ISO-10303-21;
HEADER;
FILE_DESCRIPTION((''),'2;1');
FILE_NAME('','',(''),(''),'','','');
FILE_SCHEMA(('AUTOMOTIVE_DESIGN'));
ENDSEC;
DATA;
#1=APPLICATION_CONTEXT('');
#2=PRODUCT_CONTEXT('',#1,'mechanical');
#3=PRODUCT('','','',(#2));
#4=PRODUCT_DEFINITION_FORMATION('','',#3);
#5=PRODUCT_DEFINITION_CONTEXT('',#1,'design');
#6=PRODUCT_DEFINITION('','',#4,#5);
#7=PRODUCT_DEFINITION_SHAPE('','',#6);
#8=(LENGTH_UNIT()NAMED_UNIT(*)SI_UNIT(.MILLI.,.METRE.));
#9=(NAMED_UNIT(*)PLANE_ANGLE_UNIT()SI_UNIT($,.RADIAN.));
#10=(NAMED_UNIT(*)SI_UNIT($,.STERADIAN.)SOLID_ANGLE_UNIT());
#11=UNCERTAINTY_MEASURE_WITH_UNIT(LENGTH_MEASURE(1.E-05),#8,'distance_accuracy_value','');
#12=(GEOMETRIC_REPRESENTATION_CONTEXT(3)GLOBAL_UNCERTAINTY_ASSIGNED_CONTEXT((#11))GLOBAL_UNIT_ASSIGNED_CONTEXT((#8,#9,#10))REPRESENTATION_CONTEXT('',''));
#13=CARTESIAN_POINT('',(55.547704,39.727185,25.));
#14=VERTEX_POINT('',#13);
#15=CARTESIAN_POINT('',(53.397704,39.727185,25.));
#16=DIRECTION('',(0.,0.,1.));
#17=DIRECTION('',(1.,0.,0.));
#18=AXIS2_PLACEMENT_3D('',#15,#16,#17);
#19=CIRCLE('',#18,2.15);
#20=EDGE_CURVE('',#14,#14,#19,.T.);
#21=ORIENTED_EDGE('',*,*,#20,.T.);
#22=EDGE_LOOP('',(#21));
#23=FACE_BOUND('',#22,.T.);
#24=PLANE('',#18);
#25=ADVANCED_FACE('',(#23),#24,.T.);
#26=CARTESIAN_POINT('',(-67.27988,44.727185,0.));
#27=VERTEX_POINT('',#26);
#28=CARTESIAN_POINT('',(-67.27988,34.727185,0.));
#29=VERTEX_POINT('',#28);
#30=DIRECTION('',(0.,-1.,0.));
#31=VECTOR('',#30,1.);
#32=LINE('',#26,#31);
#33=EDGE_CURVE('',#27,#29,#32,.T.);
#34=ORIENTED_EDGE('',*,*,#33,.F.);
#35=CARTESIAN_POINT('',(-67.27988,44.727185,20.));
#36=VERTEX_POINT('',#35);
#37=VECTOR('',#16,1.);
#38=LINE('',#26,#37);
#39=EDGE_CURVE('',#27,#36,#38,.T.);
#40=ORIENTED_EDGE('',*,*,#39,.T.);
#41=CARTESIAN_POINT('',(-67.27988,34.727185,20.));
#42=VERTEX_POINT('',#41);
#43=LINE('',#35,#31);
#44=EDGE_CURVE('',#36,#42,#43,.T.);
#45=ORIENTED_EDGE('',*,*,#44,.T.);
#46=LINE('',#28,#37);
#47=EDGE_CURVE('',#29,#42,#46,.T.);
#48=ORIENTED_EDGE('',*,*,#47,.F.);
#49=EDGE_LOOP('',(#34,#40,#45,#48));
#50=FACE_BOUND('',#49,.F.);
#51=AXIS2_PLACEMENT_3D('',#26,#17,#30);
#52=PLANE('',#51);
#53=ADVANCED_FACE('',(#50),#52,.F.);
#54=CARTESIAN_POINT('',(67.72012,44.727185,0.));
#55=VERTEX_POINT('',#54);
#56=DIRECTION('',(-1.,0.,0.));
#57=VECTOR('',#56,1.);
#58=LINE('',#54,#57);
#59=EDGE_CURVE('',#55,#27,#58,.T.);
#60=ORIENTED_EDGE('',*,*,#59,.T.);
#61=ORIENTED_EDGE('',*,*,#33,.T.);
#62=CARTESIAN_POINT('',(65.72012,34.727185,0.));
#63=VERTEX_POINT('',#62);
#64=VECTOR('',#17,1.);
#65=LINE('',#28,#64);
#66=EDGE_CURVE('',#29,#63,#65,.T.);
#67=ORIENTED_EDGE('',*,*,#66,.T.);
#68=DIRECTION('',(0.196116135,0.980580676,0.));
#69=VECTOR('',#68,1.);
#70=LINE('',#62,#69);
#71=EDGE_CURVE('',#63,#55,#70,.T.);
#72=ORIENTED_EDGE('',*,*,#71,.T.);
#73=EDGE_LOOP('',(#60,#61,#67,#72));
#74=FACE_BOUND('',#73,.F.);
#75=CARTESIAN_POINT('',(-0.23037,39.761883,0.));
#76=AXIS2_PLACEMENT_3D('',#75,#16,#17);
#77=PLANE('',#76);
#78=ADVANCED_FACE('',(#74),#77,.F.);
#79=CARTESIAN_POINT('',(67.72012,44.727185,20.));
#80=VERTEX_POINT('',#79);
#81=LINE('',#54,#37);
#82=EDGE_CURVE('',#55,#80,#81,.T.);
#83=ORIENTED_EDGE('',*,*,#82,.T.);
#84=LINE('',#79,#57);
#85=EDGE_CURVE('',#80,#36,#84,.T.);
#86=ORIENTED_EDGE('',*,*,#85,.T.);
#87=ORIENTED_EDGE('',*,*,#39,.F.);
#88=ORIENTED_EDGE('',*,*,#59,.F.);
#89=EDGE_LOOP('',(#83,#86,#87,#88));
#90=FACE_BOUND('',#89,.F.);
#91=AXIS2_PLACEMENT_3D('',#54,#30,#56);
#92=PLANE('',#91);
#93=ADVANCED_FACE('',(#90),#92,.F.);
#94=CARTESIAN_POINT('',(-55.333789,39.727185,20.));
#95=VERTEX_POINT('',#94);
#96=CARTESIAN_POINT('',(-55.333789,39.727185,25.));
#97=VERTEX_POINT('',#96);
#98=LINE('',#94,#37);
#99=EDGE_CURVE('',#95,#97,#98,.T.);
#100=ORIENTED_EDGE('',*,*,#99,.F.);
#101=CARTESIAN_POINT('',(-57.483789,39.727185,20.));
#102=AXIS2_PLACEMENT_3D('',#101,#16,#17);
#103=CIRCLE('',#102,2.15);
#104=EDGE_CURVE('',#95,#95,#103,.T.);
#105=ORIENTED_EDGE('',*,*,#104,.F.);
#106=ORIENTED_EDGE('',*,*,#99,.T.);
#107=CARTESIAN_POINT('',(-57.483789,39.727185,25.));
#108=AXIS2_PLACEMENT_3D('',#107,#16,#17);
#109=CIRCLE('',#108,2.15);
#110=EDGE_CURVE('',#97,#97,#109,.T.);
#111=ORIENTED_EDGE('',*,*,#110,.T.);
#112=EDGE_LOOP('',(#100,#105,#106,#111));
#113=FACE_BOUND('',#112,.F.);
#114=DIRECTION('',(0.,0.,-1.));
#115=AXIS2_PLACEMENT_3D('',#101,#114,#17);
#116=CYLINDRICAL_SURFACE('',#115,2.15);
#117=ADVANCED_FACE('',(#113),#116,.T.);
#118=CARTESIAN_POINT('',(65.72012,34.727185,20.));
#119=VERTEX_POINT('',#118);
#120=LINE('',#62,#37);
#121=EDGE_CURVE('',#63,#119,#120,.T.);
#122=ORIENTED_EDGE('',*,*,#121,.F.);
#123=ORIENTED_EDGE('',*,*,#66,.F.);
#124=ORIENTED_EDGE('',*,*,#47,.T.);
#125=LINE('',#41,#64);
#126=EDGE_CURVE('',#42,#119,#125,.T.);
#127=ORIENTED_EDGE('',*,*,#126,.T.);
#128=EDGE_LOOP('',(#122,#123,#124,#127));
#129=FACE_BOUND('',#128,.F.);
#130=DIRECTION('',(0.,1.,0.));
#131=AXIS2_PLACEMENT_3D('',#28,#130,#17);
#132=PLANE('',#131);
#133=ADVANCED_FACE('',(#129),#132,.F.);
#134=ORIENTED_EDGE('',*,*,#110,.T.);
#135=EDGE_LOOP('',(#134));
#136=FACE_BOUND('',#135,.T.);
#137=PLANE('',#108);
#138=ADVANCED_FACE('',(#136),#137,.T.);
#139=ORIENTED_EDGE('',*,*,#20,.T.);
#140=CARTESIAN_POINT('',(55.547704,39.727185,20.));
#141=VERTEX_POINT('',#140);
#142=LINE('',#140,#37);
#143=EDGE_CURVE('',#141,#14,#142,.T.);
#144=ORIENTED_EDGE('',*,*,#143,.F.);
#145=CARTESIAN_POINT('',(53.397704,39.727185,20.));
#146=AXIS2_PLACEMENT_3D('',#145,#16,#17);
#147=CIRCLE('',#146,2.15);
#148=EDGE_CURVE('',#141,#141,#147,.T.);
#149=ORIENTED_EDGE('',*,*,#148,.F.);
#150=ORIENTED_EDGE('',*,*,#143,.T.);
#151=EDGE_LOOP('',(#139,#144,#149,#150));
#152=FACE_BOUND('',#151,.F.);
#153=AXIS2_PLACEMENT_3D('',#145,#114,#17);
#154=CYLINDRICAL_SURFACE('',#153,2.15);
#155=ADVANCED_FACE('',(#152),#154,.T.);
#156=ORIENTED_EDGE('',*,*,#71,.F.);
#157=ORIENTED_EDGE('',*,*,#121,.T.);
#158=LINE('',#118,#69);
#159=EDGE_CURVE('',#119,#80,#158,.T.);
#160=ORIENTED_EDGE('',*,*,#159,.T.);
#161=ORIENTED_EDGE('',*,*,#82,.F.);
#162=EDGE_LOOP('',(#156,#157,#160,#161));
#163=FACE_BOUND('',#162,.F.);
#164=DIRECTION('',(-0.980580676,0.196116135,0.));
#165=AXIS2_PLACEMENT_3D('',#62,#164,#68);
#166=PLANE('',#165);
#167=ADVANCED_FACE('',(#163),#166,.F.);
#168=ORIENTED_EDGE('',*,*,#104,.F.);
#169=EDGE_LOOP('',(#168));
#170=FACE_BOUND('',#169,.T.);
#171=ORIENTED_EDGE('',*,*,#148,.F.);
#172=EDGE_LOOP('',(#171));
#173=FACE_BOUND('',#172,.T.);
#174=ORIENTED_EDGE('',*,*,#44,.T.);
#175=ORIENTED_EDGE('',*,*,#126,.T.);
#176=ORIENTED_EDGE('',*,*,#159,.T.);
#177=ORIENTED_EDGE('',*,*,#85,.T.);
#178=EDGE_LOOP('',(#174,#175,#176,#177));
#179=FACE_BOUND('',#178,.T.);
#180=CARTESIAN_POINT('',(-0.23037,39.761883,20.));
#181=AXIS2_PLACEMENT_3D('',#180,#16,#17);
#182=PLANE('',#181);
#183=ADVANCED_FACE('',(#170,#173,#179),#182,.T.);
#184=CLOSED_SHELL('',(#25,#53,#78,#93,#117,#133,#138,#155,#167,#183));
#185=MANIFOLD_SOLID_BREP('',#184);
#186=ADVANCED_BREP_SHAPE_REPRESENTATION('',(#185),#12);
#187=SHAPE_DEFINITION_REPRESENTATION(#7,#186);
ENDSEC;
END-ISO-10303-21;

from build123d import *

# Parameters (mm, degrees)
F1_DEPTH = 20
F2_R     = 2.15
F3_DEPTH = 5


with BuildPart() as f1:
    # F0 (on Top) → F1 (new body)
    with BuildSketch(Plane.XY):
        Polygon((67.72012, 44.727185), (-67.27988, 44.727185), (-67.27988, 34.727185), (65.72012, 34.727185), align=None)
    extrude(amount=F1_DEPTH)

    # F2 (on face) → F3 (join)
    with BuildSketch(Plane.XY.offset(20)):
        with Locations((-57.483789, 39.727185)):
            Circle(F2_R)
        with Locations((53.397704, 39.727185)):
            Circle(F2_R)
    extrude(amount=F3_DEPTH)


solid = f1.part
